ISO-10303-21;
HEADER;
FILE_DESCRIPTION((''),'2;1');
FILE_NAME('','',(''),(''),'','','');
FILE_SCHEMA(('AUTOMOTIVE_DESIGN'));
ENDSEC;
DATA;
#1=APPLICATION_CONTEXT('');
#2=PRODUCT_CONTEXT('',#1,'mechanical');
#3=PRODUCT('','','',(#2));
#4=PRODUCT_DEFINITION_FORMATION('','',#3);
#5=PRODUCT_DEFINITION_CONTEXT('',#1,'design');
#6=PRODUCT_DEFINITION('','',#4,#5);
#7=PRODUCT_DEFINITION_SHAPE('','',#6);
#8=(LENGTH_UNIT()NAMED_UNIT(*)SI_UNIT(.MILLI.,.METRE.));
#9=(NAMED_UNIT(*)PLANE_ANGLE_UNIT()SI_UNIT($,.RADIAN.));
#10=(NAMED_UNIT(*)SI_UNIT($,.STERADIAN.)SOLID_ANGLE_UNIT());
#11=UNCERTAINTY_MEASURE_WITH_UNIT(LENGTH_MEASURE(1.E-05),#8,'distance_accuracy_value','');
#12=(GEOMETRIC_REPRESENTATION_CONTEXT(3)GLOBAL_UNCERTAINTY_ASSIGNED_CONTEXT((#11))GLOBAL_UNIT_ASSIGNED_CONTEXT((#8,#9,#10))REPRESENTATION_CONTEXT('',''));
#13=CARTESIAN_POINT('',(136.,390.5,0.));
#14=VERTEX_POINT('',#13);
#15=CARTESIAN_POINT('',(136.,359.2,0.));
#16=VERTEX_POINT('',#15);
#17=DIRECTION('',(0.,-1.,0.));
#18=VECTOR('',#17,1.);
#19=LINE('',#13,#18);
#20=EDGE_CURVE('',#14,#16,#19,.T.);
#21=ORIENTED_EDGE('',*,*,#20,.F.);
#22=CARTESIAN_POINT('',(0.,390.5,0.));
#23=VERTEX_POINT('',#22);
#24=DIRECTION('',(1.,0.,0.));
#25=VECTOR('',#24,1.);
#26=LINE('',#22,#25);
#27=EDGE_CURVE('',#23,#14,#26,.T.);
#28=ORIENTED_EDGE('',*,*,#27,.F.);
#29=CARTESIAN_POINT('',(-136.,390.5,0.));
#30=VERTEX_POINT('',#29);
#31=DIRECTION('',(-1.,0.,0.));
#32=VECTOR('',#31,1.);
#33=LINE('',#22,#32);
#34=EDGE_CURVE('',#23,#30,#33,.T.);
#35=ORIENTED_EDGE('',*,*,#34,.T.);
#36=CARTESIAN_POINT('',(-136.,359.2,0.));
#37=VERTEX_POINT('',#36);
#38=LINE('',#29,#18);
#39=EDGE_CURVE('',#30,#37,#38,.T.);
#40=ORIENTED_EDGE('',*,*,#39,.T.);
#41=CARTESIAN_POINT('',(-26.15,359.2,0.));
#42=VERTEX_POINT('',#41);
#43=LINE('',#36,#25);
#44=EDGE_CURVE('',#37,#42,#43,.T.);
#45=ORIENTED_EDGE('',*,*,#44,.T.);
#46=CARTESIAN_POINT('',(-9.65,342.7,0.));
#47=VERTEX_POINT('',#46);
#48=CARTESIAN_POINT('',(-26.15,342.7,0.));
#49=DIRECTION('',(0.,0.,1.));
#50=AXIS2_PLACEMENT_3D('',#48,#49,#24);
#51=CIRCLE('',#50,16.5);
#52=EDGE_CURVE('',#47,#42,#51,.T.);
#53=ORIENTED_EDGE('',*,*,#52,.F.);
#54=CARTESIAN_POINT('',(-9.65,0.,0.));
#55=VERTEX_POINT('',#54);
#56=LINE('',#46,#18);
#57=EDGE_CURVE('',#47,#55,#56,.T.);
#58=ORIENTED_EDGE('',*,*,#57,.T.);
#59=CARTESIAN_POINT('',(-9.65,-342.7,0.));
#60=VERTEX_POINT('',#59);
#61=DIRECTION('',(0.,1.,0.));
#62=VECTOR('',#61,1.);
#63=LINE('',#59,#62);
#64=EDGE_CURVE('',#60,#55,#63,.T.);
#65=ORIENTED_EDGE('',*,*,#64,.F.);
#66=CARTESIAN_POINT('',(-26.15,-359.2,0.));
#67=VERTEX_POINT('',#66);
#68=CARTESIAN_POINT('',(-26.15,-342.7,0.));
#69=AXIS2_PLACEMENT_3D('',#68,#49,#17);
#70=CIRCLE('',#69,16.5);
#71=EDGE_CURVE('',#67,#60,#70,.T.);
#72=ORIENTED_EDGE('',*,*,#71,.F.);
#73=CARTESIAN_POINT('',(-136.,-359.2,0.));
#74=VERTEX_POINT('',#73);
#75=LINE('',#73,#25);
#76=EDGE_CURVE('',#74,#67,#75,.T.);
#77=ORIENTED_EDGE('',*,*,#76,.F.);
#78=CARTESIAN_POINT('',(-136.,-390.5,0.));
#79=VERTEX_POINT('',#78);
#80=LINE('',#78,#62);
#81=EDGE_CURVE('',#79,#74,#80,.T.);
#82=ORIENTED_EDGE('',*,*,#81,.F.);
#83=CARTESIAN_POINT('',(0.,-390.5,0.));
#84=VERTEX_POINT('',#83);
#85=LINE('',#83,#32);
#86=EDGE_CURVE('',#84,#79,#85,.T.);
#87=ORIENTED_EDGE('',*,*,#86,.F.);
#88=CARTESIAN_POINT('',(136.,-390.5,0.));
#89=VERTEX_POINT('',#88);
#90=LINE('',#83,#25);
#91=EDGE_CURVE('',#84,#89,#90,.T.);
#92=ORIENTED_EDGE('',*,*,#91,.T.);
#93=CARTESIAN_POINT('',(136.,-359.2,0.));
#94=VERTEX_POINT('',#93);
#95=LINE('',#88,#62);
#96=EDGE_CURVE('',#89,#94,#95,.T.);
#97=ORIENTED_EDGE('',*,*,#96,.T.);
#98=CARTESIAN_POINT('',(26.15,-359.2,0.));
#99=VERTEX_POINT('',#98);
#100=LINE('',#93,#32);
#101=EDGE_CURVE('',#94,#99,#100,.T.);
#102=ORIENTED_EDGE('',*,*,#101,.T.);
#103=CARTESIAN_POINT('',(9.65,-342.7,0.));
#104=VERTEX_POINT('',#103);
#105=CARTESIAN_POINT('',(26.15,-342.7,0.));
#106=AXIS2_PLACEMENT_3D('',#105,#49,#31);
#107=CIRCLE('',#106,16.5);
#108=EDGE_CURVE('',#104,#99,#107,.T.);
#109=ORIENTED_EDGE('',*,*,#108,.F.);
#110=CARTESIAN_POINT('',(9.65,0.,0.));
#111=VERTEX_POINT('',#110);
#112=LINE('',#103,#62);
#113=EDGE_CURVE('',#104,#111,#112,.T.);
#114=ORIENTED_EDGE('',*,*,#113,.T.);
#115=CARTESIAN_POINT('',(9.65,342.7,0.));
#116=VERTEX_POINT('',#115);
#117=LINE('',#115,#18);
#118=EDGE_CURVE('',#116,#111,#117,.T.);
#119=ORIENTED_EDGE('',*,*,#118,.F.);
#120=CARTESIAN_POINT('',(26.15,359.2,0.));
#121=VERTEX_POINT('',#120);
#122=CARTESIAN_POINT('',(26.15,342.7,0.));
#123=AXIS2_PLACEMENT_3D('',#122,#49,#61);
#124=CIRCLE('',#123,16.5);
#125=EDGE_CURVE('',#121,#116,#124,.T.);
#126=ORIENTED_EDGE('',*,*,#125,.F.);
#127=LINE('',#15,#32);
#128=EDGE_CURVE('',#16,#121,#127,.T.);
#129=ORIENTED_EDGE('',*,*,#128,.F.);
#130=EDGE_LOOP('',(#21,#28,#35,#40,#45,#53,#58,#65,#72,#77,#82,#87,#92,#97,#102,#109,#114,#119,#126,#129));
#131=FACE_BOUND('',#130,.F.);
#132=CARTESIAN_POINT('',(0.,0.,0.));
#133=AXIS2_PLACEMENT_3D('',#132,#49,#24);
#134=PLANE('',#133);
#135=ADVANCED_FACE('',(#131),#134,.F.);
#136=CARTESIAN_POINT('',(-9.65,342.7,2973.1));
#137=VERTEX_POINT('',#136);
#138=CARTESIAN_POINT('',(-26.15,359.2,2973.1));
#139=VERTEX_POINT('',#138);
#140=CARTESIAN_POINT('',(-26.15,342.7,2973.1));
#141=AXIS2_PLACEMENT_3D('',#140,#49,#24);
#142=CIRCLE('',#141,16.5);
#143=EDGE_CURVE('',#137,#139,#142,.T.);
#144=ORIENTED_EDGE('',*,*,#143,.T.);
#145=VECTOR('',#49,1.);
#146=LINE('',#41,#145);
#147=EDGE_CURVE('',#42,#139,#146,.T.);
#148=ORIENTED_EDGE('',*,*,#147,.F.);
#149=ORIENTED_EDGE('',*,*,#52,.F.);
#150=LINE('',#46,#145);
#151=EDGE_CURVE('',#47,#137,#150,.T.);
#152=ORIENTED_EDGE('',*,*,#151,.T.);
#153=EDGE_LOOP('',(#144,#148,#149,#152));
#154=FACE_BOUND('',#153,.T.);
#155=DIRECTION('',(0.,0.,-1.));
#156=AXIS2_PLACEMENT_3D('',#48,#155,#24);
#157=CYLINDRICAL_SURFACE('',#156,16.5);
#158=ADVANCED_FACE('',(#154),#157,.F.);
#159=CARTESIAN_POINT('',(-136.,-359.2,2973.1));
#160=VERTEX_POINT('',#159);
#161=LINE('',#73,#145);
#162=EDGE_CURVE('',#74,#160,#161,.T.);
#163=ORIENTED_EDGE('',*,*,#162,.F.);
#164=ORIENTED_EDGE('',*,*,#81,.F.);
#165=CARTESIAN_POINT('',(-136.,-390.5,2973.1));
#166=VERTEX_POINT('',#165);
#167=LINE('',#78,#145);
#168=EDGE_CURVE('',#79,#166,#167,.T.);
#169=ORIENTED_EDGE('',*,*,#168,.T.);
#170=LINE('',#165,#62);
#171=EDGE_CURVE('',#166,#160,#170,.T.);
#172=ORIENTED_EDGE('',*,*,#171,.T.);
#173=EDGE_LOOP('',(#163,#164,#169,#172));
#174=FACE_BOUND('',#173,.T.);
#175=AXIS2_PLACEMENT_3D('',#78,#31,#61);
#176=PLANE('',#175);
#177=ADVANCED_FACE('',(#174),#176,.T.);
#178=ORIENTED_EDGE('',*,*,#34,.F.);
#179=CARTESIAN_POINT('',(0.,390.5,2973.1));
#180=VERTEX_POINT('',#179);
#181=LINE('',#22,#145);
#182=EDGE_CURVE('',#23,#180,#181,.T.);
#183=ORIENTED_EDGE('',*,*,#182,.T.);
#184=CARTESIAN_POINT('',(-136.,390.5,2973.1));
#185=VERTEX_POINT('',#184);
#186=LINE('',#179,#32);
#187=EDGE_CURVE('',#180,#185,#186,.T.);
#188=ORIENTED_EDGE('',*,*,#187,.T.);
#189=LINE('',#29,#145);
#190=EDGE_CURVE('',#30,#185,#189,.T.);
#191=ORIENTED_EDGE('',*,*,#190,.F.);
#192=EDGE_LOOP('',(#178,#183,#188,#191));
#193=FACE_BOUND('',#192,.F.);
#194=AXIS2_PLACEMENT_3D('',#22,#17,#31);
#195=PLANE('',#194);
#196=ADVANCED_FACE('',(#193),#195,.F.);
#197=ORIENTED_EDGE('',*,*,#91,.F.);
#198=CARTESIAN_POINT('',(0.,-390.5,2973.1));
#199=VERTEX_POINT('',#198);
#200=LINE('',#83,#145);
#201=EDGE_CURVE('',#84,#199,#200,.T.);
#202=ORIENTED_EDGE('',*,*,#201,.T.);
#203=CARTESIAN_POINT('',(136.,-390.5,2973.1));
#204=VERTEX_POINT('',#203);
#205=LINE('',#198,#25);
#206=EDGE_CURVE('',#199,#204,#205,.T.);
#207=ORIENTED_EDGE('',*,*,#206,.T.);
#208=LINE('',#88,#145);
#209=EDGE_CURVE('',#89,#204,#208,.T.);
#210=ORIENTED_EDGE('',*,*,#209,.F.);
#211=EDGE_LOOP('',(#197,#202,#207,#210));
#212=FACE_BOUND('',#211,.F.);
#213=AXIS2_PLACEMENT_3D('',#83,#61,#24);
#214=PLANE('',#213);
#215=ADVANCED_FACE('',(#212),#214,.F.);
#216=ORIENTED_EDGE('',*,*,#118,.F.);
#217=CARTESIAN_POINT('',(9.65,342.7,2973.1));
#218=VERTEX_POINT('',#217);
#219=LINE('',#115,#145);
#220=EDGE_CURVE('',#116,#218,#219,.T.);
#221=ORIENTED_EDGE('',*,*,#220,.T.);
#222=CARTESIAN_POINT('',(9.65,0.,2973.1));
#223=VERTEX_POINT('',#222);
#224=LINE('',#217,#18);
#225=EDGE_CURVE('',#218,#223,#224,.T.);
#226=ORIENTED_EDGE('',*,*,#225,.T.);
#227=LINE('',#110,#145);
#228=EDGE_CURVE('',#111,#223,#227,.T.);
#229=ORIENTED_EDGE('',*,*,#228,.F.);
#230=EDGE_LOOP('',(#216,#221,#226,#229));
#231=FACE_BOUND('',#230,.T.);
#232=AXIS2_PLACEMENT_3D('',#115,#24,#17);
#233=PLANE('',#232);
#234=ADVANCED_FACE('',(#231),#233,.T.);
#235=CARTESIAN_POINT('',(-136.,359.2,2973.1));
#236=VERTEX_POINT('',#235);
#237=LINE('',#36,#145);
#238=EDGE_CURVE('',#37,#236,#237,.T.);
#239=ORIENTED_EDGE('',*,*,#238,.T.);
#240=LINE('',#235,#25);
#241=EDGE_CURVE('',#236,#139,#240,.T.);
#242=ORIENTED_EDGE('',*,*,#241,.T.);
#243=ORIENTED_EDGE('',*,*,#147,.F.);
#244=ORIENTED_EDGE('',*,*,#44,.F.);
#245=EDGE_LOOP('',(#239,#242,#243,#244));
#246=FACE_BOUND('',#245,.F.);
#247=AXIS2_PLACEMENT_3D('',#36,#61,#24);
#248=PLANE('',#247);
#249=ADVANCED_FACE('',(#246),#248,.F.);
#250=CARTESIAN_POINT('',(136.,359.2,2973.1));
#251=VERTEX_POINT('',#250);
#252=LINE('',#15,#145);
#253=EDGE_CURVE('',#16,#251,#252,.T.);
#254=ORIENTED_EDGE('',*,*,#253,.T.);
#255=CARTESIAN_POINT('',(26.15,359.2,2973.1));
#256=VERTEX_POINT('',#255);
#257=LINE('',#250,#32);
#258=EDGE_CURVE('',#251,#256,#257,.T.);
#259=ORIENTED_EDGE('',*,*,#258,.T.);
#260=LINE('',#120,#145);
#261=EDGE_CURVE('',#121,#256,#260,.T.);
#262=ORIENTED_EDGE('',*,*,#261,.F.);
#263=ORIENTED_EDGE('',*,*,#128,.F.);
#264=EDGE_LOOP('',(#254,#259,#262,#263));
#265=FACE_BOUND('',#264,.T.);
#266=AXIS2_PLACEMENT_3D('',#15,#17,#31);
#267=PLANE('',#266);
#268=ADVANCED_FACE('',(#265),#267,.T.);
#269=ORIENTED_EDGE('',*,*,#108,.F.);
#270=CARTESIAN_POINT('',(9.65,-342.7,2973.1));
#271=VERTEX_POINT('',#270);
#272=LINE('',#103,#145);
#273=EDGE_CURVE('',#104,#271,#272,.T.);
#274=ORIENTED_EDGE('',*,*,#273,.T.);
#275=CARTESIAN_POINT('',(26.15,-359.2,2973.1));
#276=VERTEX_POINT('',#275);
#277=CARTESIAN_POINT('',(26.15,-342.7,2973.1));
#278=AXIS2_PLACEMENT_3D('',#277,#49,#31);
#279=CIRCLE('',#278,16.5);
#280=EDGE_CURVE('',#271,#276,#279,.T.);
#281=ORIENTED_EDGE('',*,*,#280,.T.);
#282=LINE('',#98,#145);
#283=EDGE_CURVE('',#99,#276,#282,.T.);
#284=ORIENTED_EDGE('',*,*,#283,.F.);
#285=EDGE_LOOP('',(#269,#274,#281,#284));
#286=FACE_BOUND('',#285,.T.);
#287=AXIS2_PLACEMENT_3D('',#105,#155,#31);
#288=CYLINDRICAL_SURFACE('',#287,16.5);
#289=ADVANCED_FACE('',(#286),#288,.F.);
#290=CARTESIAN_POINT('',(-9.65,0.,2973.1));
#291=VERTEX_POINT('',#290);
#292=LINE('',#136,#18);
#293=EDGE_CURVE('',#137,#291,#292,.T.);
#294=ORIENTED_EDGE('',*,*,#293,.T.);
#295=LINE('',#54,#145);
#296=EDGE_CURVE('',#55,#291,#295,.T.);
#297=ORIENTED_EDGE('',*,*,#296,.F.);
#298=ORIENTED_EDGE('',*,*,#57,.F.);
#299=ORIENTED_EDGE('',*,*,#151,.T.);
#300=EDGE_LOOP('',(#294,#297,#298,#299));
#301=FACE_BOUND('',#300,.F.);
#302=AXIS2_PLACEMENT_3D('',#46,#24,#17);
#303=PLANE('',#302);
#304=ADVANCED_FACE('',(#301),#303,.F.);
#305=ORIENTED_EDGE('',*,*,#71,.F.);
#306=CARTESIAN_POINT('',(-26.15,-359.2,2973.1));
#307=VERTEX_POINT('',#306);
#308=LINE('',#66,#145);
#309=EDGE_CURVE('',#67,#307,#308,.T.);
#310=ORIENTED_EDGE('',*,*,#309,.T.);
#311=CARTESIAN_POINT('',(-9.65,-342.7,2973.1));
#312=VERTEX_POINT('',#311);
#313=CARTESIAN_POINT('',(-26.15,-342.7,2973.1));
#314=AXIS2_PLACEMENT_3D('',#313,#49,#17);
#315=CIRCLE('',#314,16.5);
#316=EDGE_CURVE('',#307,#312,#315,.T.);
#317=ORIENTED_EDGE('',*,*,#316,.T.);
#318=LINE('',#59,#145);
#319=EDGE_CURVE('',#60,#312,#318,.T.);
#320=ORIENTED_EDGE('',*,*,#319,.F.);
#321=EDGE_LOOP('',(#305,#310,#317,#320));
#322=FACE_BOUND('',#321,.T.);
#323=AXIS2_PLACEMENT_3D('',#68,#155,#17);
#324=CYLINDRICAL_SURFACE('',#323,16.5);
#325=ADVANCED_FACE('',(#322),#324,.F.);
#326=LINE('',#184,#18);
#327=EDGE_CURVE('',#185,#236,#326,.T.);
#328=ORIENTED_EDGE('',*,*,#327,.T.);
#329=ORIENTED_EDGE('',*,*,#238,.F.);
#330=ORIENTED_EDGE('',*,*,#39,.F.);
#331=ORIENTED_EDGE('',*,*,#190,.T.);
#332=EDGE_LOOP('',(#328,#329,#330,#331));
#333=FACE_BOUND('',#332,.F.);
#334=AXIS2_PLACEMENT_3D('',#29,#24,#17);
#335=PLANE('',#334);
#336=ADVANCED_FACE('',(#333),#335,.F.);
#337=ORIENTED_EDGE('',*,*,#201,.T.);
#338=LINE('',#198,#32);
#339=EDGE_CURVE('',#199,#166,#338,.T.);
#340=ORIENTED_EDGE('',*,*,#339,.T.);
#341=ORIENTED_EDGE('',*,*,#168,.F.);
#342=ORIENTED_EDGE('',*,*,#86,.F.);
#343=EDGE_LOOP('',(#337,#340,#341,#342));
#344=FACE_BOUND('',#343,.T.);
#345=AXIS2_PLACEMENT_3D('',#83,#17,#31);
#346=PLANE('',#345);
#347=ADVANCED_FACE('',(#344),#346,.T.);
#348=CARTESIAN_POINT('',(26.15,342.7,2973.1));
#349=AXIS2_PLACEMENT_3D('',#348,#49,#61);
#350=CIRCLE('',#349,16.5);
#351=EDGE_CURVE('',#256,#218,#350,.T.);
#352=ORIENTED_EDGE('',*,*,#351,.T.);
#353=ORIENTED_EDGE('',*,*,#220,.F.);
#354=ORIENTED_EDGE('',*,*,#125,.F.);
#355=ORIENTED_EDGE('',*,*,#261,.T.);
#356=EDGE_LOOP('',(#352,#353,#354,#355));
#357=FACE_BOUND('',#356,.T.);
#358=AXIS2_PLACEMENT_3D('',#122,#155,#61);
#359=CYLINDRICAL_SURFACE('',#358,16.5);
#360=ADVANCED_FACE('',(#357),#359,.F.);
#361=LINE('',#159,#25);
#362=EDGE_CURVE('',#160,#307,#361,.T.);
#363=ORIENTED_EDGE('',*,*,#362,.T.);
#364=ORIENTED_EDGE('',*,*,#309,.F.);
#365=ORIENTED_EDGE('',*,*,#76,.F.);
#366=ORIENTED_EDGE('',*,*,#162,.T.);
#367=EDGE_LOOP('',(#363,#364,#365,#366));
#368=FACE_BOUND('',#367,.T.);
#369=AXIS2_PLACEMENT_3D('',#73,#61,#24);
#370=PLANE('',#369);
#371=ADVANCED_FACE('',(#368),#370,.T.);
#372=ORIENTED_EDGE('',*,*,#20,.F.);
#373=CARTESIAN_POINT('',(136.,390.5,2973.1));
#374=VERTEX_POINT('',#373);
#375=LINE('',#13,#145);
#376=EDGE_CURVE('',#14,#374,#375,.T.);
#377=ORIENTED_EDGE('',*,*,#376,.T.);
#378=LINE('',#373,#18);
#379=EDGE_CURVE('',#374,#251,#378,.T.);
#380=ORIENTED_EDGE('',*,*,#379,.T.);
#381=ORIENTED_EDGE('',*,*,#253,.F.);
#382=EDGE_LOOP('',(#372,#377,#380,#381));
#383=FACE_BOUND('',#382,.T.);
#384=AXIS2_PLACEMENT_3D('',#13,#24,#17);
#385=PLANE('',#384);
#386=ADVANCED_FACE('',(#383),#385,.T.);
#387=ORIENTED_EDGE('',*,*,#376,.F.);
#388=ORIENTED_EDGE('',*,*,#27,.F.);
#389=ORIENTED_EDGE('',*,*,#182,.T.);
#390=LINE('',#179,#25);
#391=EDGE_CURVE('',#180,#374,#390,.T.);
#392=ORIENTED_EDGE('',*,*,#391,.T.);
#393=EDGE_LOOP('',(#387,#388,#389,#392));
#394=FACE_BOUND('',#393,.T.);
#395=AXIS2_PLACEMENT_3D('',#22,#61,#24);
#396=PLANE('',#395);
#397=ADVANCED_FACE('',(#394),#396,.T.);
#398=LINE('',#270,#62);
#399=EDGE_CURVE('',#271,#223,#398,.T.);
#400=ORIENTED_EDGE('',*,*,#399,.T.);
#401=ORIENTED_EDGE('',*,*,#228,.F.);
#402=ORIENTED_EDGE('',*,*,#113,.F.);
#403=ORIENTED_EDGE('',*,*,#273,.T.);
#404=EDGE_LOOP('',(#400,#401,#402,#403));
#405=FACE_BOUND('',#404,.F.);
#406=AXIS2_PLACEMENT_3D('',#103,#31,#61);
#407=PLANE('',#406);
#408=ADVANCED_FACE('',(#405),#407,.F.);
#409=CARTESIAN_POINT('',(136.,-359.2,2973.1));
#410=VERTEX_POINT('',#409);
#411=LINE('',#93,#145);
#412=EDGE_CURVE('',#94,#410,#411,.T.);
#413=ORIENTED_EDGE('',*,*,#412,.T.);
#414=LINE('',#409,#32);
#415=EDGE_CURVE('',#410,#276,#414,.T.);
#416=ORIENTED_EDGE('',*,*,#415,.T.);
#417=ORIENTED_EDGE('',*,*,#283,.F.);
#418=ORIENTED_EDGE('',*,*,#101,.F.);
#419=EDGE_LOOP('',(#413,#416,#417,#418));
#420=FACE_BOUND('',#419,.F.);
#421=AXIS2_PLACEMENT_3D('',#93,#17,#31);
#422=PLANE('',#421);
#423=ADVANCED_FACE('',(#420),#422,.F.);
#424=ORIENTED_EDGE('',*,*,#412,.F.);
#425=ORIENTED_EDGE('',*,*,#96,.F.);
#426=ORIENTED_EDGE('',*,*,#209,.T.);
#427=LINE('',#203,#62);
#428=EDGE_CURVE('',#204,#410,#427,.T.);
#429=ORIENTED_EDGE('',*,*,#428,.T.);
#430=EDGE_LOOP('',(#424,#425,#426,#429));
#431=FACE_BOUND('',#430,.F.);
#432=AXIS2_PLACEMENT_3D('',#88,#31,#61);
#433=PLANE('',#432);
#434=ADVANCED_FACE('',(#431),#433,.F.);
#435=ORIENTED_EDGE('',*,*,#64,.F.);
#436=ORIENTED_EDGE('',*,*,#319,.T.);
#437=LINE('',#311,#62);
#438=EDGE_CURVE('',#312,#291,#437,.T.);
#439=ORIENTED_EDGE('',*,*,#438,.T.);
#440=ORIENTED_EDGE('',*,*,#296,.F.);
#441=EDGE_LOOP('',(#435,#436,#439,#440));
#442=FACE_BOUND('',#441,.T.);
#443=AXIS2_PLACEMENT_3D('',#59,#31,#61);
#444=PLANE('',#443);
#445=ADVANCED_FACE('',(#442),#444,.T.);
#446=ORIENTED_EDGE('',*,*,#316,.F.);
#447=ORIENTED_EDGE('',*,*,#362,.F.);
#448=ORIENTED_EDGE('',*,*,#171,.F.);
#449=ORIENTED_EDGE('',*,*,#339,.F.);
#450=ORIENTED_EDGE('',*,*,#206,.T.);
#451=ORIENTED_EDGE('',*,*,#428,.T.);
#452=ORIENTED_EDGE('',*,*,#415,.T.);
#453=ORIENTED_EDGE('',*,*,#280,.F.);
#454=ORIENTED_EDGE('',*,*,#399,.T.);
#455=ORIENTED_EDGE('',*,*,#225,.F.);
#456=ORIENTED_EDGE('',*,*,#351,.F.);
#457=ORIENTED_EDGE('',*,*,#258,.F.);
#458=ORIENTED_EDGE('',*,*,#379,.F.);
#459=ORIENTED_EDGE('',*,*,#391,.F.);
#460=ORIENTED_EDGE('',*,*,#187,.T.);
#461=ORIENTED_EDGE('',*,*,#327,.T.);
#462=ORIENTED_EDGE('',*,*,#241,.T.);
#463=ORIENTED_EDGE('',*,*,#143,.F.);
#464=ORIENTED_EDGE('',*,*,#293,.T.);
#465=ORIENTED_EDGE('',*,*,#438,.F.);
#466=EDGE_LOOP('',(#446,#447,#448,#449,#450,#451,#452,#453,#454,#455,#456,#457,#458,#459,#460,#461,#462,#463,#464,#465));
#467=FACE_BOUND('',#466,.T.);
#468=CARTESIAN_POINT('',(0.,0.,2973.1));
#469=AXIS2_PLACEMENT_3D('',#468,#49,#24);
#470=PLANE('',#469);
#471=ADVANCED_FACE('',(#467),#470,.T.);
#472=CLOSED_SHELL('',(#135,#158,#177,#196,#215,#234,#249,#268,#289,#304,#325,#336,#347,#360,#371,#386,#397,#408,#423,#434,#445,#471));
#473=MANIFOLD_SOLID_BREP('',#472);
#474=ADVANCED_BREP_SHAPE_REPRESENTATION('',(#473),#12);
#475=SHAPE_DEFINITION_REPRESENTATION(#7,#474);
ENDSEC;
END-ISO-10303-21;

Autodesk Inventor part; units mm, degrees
ref_plane "YZ Plane" through (0, 0, 0) normal (1, 0, 0) x (0, 1, 0)
ref_plane "Start plane" through (0, 0, 0) normal (0, 0, 1) x (1, 0, 0)
ref_plane "End plane" through (0, 0, 2973.1) normal (0, 0, 1) x (1, 0, 0)
sketch "Sketch" plane through (0, 0, 0) normal (0, 0, 1) x (1, 0, 0)
  line L0 (-136, -390.5) -> (-136, -359.2)
  line L1 (-136, -359.2) -> (-26.15, -359.2)
  line L2 (-9.65, -342.7) -> (-9.65, 0)
  line L3 (-9.65, 0) -> (0, 0) construction
  line L4 (0, 0) -> (0, -390.5) construction
  line L5 (0, -390.5) -> (-136, -390.5)
  line L6 (-60, 0) -> (80, 0) construction
  line L7 (0, -60) -> (0, 80) construction
  line L8 (136, -390.5) -> (136, -359.2)
  line L9 (136, -359.2) -> (26.15, -359.2)
  line L10 (9.65, -342.7) -> (9.65, 0)
  line L11 (9.65, 0) -> (0, 0) construction
  line L12 (0, -390.5) -> (136, -390.5)
  line L13 (-136, 390.5) -> (-136, 359.2)
  line L14 (-136, 359.2) -> (-26.15, 359.2)
  line L15 (-9.65, 342.7) -> (-9.65, 0)
  line L16 (0, 390.5) -> (-136, 390.5)
  line L17 (136, 390.5) -> (136, 359.2)
  line L18 (136, 359.2) -> (26.15, 359.2)
  line L19 (0, 390.5) -> (136, 390.5)
  line L20 (9.65, 342.7) -> (9.65, 0)
  arc A0 (-9.65, 342.7) -> (-26.15, 359.2) centre (-26.15, 342.7) ccw
  arc A1 (26.15, 359.2) -> (9.65, 342.7) centre (26.15, 342.7) ccw
  arc A2 (9.65, -342.7) -> (26.15, -359.2) centre (26.15, -342.7) ccw
  arc A3 (-26.15, -359.2) -> (-9.65, -342.7) centre (-26.15, -342.7) ccw
  line L21 (0, 108) -> (0, -88) construction
  line L22 (-88, 0) -> (108, 0) construction
  point P0 (-9.65, -359.2)
  point P1 (9.65, -359.2)
  point P2 (-9.65, 359.2)
  point P3 (9.65, 359.2)
  dimension "d1" = 390.5
  dimension "d2" = 31.3
  dimension "d3" = 136
  dimension "d4" = 9.65
  dimension "d10" = 16.5
extrude "Body" add sketch "Sketch" along normal up to surface (2973.1 mm away) from surface at 0
sketch "Sketch4" plane through (0, 0, 0) normal (0, 0, 1) x (1, 0, 0)
  line L0 (0, 0) -> (10, 0)
ref_plane "Work Plane3" through (0, 0, 0) normal (0, -1, 0) x (1, 0, 0)
sketch "Sketch5" plane through (0, 0, 0) normal (0, -1, 0) x (1, 0, 0)
  line L0 (-2, 0) -> (12, 0) projected
  line L1 (-2, 2973.1) -> (12, 2973.1) projected
  dimension "d14" = 2973.1
equation "\"d1\" = 0.5 * G_H"
equation "\"d2\" = G_T1"
equation "\"d3\" = 0.5 * G_W"
equation "\"d4\" = 0.5 * G_T"
equation "\"d10\" = G_IR"
equation "\"d5\" = G_L"
equation "\"G_W\" = 272"
equation "\"G_H\" = 781"
equation "\"G_T\" = 19.3"
equation "\"G_T1\" = 31.3"
equation "\"G_IR\" = 16.5"
equation "\"G_L\" = d14"
equation "\"G_OFFSET_START\" = 0"
equation "\"G_OFFSET_END\" = 0"
equation "\"d12\" = G_OFFSET_END + B_L"
equation "\"B_L\" = 2973.1"
properties part number "AS 3679-1990 - 760 UB - 244 - 2973.1" material "Steel, Mild"
